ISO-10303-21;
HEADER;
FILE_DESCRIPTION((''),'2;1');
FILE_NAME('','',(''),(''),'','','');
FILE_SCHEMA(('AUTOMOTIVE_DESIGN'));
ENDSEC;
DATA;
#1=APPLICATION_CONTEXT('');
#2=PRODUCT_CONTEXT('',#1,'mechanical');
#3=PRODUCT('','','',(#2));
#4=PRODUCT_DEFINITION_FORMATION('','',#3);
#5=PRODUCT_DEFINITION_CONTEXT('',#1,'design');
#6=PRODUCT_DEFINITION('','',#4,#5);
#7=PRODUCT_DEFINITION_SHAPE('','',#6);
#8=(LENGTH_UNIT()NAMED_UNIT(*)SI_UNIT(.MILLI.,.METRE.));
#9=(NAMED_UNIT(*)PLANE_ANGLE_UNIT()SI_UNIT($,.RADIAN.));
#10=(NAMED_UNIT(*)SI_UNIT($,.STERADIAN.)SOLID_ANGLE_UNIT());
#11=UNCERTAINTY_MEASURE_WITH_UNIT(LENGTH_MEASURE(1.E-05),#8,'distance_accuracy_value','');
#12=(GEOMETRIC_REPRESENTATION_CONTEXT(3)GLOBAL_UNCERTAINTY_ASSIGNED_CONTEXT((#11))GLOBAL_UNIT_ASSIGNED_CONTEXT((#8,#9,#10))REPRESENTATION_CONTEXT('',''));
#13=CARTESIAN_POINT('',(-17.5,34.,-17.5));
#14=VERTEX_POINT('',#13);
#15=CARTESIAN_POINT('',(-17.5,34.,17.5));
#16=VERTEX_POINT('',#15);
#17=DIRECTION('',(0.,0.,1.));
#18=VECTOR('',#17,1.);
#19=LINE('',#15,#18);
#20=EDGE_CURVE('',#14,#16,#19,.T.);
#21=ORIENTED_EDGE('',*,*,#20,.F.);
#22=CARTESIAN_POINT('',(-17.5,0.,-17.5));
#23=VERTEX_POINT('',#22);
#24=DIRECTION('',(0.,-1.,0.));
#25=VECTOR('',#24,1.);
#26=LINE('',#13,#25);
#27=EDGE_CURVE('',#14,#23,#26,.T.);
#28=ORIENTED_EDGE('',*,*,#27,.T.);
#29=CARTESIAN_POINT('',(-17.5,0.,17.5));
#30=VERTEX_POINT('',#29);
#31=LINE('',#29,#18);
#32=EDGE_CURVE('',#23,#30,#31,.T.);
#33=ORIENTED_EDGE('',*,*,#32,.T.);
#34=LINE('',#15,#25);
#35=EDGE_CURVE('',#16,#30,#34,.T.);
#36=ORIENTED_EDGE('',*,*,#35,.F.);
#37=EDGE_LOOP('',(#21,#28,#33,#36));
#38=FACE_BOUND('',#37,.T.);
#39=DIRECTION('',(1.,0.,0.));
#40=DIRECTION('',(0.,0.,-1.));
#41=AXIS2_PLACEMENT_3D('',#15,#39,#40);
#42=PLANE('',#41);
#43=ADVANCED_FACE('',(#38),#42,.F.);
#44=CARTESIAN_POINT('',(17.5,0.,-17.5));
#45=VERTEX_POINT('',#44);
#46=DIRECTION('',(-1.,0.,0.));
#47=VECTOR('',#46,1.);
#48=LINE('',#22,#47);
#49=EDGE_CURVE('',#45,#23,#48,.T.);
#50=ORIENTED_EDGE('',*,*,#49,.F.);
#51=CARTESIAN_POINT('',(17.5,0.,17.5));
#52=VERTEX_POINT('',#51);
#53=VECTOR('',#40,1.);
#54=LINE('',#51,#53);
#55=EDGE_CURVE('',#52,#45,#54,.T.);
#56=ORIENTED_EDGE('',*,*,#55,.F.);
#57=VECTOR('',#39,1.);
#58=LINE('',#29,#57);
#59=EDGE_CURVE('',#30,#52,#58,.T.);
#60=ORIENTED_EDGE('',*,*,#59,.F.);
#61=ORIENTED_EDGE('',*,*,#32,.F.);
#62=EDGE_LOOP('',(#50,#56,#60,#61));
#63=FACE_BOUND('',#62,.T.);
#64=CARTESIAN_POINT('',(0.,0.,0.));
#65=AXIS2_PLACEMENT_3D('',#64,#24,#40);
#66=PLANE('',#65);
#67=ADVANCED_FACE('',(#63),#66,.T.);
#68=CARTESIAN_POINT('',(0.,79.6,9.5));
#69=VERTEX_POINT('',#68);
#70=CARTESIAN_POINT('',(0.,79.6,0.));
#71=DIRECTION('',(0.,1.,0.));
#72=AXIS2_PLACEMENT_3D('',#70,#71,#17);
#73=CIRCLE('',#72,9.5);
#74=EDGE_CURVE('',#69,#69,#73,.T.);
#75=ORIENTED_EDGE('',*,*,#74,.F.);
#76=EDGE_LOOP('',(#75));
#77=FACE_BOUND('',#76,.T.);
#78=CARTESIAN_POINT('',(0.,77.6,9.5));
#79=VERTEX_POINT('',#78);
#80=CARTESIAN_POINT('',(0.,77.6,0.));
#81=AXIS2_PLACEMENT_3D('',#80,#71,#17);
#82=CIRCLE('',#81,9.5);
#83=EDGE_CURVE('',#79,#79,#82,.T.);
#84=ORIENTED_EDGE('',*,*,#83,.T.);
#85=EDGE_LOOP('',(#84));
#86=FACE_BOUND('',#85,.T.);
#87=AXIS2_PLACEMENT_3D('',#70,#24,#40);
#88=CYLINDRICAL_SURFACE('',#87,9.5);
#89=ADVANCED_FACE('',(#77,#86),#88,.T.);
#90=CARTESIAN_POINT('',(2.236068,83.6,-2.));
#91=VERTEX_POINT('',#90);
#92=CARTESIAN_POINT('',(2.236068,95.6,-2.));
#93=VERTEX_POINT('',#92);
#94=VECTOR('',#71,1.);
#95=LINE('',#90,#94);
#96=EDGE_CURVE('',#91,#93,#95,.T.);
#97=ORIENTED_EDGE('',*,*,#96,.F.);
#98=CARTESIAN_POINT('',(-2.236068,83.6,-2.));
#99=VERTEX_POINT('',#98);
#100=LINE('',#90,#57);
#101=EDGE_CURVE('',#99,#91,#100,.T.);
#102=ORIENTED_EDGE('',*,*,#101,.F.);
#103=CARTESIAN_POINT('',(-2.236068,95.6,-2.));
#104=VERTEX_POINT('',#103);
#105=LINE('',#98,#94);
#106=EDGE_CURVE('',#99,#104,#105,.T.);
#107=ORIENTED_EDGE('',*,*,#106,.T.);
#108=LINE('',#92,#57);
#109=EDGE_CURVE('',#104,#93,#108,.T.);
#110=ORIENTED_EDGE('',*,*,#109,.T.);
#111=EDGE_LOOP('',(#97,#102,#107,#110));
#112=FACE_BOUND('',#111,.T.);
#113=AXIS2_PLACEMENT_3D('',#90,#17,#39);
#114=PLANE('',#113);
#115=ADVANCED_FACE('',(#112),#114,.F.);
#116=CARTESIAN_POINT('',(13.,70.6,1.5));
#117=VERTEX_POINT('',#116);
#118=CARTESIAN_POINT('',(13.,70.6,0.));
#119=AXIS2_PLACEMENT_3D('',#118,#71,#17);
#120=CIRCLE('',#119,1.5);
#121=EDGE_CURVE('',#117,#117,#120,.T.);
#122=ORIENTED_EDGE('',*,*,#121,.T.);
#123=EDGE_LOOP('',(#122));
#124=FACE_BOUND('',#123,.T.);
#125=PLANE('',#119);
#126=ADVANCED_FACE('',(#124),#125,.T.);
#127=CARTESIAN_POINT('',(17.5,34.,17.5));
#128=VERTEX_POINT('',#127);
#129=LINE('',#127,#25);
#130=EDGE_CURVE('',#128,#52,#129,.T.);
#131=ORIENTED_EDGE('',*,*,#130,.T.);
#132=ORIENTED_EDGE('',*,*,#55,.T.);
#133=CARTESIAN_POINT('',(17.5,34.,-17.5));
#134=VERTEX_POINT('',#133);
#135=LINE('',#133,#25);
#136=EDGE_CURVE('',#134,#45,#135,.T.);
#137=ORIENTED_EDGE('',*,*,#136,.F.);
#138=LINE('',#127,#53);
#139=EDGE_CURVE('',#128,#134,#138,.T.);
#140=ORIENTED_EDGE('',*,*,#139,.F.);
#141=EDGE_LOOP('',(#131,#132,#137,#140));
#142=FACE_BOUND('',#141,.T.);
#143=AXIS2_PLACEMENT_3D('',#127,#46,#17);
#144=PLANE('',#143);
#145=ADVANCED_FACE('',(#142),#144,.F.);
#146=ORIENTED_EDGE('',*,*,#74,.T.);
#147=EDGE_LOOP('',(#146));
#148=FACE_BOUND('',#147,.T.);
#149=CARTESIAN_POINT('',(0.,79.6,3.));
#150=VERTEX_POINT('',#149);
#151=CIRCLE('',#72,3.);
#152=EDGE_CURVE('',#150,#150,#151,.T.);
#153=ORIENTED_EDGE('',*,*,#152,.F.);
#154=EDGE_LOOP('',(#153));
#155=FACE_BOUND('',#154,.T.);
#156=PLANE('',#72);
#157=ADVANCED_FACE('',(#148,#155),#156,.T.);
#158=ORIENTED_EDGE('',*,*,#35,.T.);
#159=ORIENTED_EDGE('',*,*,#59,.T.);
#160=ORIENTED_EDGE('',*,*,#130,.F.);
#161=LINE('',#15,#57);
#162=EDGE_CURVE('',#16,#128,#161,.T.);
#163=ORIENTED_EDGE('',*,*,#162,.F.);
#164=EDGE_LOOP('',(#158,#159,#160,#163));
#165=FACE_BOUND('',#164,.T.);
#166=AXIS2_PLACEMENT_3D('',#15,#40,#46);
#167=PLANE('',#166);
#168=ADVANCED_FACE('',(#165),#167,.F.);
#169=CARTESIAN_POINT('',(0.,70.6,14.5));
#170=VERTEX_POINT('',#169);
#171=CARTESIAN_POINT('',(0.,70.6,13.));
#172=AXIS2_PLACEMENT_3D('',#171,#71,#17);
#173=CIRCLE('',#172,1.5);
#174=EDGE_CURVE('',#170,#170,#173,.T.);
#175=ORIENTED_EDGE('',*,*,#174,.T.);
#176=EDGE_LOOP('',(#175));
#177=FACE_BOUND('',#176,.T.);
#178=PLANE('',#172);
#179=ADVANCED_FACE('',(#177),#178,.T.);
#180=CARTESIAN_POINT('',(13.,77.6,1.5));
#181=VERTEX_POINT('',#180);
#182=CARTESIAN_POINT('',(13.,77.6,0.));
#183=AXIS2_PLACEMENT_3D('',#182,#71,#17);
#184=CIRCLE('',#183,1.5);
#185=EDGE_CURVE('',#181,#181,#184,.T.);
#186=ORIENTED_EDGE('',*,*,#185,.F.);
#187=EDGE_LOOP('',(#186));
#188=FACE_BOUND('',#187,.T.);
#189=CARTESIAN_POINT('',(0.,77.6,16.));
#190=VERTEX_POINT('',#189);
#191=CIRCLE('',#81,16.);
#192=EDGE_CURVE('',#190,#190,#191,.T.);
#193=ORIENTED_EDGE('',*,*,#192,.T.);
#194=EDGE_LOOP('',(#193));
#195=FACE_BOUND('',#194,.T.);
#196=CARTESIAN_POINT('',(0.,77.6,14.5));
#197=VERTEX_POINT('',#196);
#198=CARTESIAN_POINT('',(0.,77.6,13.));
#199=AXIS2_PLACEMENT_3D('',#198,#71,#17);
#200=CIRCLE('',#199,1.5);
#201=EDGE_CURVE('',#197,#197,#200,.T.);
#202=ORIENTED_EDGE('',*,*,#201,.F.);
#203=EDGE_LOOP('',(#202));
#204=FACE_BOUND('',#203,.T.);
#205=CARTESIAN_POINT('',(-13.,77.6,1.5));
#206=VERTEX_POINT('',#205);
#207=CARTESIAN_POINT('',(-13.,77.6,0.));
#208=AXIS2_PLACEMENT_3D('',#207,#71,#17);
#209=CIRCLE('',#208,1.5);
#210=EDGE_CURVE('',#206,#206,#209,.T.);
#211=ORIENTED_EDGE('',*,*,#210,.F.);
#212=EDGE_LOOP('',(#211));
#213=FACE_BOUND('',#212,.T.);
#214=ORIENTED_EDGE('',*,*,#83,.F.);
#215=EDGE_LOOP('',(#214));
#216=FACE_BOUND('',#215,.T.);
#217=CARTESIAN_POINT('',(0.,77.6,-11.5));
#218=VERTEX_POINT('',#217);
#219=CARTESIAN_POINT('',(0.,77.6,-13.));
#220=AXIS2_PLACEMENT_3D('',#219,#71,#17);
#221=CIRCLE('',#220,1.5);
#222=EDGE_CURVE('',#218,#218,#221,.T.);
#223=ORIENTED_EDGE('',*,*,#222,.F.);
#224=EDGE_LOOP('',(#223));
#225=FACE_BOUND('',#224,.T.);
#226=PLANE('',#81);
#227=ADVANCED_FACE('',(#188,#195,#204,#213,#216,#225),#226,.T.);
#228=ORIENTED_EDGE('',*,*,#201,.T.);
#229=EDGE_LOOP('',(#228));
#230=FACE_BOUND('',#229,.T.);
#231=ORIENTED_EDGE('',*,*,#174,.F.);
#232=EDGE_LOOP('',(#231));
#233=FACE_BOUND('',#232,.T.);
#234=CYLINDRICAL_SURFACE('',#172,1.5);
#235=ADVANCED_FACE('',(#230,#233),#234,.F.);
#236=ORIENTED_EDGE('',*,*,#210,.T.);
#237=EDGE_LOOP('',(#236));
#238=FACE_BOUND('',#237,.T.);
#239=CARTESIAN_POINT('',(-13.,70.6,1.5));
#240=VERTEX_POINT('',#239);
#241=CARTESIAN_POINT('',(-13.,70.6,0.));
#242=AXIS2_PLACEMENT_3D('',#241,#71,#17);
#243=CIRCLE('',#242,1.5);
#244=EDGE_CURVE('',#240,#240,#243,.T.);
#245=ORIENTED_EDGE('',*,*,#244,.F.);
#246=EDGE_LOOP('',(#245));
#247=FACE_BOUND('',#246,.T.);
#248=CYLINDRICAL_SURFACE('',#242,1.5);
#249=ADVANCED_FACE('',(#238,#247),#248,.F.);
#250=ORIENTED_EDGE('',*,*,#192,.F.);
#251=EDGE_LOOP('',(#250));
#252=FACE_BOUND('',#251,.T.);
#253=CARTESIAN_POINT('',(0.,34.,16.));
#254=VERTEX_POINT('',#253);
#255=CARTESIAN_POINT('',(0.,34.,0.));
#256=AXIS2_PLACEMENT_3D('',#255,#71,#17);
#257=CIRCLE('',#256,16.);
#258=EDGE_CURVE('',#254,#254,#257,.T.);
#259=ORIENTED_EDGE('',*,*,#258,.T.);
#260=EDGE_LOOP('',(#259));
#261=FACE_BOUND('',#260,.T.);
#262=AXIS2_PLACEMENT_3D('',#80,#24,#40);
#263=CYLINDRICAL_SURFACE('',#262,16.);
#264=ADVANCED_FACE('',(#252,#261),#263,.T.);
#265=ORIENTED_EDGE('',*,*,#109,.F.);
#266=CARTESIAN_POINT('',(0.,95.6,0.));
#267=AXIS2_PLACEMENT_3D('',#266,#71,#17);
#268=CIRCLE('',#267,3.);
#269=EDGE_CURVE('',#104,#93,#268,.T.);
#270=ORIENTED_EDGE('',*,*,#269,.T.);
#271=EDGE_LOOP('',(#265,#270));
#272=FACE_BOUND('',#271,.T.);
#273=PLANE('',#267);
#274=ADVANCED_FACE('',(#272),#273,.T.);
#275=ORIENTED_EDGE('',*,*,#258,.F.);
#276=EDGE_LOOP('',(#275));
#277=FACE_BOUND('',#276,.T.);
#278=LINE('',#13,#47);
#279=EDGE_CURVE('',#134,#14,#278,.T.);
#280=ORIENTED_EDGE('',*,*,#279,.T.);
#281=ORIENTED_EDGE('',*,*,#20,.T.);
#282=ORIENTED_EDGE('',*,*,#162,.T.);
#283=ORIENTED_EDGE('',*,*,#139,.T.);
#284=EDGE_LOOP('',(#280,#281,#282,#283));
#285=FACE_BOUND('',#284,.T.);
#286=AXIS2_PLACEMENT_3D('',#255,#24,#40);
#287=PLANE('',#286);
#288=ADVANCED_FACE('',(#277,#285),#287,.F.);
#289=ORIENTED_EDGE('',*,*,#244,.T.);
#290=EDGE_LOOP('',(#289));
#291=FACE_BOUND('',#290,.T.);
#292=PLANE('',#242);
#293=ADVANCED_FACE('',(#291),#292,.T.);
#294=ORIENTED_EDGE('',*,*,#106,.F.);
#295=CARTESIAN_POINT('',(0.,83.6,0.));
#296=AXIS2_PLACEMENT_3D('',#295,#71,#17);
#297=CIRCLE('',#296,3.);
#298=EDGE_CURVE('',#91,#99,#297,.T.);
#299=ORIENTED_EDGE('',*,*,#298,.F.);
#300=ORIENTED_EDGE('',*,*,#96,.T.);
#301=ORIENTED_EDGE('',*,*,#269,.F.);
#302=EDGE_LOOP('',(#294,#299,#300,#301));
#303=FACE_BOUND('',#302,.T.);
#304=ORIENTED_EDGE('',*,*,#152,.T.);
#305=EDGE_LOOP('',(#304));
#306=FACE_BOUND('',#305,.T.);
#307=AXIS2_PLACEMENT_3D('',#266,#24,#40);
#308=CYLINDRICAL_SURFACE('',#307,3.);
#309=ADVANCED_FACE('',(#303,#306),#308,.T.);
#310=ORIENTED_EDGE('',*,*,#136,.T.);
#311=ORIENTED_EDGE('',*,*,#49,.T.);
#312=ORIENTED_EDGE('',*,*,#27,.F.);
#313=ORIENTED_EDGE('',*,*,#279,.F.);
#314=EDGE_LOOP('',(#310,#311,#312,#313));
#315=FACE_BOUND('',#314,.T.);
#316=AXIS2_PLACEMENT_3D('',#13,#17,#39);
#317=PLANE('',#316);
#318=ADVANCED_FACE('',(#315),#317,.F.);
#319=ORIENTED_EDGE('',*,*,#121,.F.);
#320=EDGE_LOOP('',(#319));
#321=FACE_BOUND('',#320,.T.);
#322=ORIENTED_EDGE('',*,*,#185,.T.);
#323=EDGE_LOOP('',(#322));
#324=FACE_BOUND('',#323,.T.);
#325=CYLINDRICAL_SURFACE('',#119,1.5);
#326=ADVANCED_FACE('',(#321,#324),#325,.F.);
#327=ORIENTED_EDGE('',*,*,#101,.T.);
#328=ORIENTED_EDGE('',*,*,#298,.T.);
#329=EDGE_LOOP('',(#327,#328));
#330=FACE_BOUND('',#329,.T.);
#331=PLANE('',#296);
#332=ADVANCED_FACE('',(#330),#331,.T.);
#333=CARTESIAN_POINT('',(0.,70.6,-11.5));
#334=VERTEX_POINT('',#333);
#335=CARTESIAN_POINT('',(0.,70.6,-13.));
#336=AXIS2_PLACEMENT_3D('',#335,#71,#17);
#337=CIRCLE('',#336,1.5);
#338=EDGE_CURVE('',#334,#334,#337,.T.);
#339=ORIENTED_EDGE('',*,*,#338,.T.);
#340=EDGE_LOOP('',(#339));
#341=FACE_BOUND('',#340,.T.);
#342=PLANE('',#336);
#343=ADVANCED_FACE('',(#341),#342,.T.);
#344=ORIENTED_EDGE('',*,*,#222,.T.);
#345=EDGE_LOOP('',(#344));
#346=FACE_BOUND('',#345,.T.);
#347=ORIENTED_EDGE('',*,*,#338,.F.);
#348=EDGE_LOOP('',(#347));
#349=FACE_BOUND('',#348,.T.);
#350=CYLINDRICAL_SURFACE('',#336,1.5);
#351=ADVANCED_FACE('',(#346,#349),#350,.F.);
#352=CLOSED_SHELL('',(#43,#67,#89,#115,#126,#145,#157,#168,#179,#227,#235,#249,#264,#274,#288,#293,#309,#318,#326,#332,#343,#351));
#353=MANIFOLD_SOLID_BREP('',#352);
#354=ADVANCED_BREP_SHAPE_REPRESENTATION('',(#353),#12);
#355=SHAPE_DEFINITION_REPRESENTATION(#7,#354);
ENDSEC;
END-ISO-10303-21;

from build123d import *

# Parameters (mm, degrees)
SKETCH1_W           = 35
SKETCH1_H           = 35
BOSS_EXTRUDE1_DEPTH = 34
SKETCH2_R           = 16
BOSS_EXTRUDE2_DEPTH = 43.6
SKETCH3_R           = 9.5
BOSS_EXTRUDE3_DEPTH = 2
SKETCH4_R           = 3
BOSS_EXTRUDE4_DEPTH = 16
CUT_EXTRUDE1_DEPTH  = 12
SKETCH6_R           = 1.5
CUT_EXTRUDE2_DEPTH  = 7


with BuildPart() as part:
    # Sketch1 → Boss-Extrude1 (new body)
    with BuildSketch(Plane(origin=(0, 0, 0), x_dir=(1, 0, 0), z_dir=(0, 1, 0))):
        Rectangle(SKETCH1_W, SKETCH1_H)
    extrude(amount=BOSS_EXTRUDE1_DEPTH)

    # Sketch2 → Boss-Extrude2 (add)
    with BuildSketch(Plane(origin=(0, 34, 0), x_dir=(1, 0, 0), z_dir=(0, 1, 0))):
        Circle(SKETCH2_R)
    extrude(amount=BOSS_EXTRUDE2_DEPTH)

    # Sketch3 → Boss-Extrude3 (add)
    with BuildSketch(Plane(origin=(0, 77.6, 0), x_dir=(1, 0, 0), z_dir=(0, 1, 0))):
        Circle(SKETCH3_R)
    extrude(amount=BOSS_EXTRUDE3_DEPTH)

    # Sketch4 → Boss-Extrude4 (add)
    with BuildSketch(Plane(origin=(0, 79.6, 0), x_dir=(1, 0, 0), z_dir=(0, 1, 0))):
        Circle(SKETCH4_R)
    extrude(amount=BOSS_EXTRUDE4_DEPTH)

    # Sketch5 → Cut-Extrude1 (cut)
    with BuildSketch(Plane(origin=(0, 95.6, 0), x_dir=(1, 0, 0), z_dir=(0, 1, 0))):
        with BuildLine():
            Line((2.236067977, 2), (-2.236067977, 2))
            ThreePointArc((-2.236067977, 2), (0, 3), (2.236067977, 2))
        make_face()
    extrude(amount=-CUT_EXTRUDE1_DEPTH, mode=Mode.SUBTRACT)

    # Sketch6 → Cut-Extrude2 (cut)
    with BuildSketch(Plane(origin=(0, 77.6, 0), x_dir=(1, 0, 0), z_dir=(0, 1, 0))):
        with Locations((0, 13)):
            Circle(SKETCH6_R)
        with Locations((13, 0)):
            Circle(SKETCH6_R)
        with Locations((-13, 0)):
            Circle(SKETCH6_R)
        with Locations((0, -13)):
            Circle(SKETCH6_R)
    extrude(amount=-CUT_EXTRUDE2_DEPTH, mode=Mode.SUBTRACT)


solid = part.part
